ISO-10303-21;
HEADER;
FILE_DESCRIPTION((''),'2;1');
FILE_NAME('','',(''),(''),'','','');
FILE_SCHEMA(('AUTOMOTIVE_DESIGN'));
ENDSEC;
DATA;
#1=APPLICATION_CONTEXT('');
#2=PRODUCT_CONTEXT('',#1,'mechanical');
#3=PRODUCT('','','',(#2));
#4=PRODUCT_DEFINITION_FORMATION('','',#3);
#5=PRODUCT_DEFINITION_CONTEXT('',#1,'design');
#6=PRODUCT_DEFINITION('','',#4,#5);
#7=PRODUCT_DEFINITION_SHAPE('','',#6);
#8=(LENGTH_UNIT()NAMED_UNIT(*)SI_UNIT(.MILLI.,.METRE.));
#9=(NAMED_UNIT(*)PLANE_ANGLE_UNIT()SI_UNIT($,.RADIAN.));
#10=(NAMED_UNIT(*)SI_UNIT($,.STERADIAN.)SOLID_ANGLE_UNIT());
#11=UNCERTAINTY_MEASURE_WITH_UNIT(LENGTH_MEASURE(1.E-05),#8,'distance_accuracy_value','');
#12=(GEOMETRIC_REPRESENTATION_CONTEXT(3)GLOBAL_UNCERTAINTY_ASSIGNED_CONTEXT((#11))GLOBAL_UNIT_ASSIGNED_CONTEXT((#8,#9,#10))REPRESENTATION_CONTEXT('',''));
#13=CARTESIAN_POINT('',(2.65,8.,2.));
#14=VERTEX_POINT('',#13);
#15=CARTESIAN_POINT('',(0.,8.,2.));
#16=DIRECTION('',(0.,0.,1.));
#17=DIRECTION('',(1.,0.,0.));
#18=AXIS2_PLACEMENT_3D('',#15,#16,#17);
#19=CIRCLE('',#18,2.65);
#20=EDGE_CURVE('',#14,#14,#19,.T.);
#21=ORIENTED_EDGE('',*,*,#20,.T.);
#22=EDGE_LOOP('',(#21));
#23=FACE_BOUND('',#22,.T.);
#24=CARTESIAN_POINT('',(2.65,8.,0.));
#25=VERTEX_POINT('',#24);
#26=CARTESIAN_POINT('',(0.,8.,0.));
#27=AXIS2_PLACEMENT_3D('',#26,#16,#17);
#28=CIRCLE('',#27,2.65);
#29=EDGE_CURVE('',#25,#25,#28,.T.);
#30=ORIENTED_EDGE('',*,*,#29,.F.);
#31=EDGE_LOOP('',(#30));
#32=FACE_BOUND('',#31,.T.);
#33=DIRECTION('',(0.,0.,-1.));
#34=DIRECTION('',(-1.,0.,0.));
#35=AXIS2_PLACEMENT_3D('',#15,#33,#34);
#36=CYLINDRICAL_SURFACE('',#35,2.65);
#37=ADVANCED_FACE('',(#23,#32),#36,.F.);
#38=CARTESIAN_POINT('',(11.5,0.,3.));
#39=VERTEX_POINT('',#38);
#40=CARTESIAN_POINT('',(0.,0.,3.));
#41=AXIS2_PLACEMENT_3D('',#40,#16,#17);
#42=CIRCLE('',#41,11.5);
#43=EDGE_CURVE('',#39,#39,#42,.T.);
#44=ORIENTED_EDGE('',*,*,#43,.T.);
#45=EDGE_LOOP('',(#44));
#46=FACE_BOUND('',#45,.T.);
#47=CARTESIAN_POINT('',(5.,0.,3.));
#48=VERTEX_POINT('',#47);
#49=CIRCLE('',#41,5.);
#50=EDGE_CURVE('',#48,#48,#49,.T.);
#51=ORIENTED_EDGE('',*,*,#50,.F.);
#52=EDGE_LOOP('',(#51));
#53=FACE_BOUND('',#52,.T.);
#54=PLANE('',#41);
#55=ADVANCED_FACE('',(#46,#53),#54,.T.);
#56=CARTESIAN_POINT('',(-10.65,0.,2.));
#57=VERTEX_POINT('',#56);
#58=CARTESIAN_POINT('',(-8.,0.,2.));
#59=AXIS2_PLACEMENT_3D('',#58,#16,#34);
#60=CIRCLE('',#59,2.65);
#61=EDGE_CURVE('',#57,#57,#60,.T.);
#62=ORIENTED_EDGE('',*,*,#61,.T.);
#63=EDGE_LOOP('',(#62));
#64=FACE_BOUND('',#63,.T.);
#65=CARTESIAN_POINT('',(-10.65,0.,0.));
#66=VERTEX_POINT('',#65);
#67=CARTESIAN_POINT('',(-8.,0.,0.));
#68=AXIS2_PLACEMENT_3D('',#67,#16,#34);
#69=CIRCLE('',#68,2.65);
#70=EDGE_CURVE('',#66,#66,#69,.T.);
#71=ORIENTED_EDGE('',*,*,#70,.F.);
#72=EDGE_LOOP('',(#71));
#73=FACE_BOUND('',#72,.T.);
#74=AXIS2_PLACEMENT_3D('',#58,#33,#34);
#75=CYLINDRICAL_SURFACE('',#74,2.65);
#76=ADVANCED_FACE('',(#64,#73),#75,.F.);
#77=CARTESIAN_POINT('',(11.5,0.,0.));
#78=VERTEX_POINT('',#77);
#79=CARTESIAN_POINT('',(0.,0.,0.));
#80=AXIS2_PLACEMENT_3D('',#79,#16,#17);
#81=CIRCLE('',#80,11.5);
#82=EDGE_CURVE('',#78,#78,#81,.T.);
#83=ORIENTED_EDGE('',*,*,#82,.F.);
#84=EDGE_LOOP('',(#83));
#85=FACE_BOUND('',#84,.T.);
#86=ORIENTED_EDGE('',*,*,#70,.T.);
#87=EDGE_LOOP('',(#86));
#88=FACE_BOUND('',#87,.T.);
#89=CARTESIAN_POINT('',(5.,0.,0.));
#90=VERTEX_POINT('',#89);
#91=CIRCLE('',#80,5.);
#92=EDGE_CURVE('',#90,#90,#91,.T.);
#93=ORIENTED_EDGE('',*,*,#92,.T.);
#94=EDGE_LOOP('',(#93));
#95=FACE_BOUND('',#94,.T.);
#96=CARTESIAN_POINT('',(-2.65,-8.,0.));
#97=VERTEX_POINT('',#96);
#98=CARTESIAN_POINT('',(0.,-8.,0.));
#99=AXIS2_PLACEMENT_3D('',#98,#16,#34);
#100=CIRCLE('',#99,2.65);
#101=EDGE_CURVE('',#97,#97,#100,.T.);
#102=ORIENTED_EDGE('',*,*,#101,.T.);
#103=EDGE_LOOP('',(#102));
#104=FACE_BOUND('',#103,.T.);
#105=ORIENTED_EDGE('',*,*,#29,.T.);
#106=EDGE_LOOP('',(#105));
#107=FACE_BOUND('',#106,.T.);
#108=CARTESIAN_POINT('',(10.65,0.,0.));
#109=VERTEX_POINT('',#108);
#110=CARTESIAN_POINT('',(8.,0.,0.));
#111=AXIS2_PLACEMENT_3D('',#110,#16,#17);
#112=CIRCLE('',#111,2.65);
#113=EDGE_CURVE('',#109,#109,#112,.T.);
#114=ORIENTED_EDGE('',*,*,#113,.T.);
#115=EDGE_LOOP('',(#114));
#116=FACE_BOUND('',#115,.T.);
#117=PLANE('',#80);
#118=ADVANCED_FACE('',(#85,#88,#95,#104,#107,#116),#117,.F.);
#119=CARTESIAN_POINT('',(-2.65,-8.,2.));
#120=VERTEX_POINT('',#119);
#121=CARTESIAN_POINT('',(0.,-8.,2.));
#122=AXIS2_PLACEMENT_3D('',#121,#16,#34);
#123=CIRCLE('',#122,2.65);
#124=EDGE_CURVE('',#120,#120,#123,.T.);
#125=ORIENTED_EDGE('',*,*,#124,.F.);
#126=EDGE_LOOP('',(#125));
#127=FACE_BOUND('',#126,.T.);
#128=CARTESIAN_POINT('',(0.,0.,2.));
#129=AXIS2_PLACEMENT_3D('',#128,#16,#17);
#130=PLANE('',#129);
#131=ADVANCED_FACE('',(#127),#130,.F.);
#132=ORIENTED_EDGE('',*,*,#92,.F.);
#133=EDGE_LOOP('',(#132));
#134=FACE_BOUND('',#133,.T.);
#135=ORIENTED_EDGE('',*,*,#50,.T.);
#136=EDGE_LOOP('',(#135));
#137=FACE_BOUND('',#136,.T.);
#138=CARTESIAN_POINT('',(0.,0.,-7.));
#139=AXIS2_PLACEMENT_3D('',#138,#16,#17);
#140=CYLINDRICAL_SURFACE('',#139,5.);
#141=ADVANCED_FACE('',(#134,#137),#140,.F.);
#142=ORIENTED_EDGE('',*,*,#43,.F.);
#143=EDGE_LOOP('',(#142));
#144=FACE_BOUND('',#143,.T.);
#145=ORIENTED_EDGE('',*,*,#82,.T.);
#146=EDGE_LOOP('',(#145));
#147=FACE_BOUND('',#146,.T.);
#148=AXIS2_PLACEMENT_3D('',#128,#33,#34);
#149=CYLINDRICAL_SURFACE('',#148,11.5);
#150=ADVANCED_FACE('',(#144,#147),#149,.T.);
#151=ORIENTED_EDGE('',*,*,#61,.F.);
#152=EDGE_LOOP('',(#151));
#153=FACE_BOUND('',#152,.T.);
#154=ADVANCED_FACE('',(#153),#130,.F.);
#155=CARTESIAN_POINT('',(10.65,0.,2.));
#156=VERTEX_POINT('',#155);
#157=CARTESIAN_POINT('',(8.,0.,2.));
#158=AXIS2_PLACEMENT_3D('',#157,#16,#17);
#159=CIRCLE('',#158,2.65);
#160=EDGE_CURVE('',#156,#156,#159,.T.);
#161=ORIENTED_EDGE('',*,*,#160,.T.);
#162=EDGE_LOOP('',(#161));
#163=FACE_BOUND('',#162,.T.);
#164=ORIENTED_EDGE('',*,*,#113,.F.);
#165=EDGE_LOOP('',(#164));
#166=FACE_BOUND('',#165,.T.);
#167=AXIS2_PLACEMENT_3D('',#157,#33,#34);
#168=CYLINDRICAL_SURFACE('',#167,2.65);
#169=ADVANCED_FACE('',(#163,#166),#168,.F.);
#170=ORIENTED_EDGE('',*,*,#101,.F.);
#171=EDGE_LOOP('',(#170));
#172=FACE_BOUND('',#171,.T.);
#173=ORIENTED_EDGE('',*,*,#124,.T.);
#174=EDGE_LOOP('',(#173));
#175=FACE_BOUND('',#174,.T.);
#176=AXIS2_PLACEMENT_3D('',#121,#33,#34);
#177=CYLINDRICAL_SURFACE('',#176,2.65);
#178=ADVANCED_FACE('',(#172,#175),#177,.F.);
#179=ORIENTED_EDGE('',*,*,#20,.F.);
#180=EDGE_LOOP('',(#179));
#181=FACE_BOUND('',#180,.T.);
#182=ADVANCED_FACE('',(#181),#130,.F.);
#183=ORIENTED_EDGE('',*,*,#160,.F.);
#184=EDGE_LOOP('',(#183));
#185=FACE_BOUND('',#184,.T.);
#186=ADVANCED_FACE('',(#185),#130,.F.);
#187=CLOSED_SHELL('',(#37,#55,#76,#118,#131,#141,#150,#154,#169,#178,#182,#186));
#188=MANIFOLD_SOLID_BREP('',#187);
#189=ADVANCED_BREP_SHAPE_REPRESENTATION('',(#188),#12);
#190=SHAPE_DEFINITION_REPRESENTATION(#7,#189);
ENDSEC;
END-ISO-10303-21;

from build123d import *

# Parameters (mm, degrees)
SKETCH_1_R          = 11.5
SKETCH_1_R_2        = 2.65
EXTRUDE_1_DEPTH     = 2
SKETCH_2_R          = 11.5
EXTRUDE_2_DEPTH     = 1
SKETCH_3_R          = 5
CUT_EXTRUDE_1_DEPTH = 10


with BuildPart() as part:
    # 草图1 → 凸台-拉伸1 (new body)
    with BuildSketch(Plane.XY):
        Circle(SKETCH_1_R)
        with Locations((0, 8)):
            Circle(SKETCH_1_R_2, mode=Mode.SUBTRACT)
        with Locations((8, 0)):
            Circle(SKETCH_1_R_2, mode=Mode.SUBTRACT)
        with Locations(Location((0, -8, 0), (0, 0, 180))):
            Circle(SKETCH_1_R_2, mode=Mode.SUBTRACT)
        with Locations(Location((-8, 0, 0), (0, 0, 180))):
            Circle(SKETCH_1_R_2, mode=Mode.SUBTRACT)
    extrude(amount=EXTRUDE_1_DEPTH)

    # 草图2 → 凸台-拉伸2 (add)
    with BuildSketch(Plane.XY.offset(2)):
        Circle(SKETCH_2_R)
    extrude(amount=EXTRUDE_2_DEPTH)

    # 草图3 → 切除-拉伸1 (cut)
    with BuildSketch(Plane.XY.offset(3)):
        Circle(SKETCH_3_R)
    extrude(amount=-CUT_EXTRUDE_1_DEPTH, mode=Mode.SUBTRACT)


solid = part.part
